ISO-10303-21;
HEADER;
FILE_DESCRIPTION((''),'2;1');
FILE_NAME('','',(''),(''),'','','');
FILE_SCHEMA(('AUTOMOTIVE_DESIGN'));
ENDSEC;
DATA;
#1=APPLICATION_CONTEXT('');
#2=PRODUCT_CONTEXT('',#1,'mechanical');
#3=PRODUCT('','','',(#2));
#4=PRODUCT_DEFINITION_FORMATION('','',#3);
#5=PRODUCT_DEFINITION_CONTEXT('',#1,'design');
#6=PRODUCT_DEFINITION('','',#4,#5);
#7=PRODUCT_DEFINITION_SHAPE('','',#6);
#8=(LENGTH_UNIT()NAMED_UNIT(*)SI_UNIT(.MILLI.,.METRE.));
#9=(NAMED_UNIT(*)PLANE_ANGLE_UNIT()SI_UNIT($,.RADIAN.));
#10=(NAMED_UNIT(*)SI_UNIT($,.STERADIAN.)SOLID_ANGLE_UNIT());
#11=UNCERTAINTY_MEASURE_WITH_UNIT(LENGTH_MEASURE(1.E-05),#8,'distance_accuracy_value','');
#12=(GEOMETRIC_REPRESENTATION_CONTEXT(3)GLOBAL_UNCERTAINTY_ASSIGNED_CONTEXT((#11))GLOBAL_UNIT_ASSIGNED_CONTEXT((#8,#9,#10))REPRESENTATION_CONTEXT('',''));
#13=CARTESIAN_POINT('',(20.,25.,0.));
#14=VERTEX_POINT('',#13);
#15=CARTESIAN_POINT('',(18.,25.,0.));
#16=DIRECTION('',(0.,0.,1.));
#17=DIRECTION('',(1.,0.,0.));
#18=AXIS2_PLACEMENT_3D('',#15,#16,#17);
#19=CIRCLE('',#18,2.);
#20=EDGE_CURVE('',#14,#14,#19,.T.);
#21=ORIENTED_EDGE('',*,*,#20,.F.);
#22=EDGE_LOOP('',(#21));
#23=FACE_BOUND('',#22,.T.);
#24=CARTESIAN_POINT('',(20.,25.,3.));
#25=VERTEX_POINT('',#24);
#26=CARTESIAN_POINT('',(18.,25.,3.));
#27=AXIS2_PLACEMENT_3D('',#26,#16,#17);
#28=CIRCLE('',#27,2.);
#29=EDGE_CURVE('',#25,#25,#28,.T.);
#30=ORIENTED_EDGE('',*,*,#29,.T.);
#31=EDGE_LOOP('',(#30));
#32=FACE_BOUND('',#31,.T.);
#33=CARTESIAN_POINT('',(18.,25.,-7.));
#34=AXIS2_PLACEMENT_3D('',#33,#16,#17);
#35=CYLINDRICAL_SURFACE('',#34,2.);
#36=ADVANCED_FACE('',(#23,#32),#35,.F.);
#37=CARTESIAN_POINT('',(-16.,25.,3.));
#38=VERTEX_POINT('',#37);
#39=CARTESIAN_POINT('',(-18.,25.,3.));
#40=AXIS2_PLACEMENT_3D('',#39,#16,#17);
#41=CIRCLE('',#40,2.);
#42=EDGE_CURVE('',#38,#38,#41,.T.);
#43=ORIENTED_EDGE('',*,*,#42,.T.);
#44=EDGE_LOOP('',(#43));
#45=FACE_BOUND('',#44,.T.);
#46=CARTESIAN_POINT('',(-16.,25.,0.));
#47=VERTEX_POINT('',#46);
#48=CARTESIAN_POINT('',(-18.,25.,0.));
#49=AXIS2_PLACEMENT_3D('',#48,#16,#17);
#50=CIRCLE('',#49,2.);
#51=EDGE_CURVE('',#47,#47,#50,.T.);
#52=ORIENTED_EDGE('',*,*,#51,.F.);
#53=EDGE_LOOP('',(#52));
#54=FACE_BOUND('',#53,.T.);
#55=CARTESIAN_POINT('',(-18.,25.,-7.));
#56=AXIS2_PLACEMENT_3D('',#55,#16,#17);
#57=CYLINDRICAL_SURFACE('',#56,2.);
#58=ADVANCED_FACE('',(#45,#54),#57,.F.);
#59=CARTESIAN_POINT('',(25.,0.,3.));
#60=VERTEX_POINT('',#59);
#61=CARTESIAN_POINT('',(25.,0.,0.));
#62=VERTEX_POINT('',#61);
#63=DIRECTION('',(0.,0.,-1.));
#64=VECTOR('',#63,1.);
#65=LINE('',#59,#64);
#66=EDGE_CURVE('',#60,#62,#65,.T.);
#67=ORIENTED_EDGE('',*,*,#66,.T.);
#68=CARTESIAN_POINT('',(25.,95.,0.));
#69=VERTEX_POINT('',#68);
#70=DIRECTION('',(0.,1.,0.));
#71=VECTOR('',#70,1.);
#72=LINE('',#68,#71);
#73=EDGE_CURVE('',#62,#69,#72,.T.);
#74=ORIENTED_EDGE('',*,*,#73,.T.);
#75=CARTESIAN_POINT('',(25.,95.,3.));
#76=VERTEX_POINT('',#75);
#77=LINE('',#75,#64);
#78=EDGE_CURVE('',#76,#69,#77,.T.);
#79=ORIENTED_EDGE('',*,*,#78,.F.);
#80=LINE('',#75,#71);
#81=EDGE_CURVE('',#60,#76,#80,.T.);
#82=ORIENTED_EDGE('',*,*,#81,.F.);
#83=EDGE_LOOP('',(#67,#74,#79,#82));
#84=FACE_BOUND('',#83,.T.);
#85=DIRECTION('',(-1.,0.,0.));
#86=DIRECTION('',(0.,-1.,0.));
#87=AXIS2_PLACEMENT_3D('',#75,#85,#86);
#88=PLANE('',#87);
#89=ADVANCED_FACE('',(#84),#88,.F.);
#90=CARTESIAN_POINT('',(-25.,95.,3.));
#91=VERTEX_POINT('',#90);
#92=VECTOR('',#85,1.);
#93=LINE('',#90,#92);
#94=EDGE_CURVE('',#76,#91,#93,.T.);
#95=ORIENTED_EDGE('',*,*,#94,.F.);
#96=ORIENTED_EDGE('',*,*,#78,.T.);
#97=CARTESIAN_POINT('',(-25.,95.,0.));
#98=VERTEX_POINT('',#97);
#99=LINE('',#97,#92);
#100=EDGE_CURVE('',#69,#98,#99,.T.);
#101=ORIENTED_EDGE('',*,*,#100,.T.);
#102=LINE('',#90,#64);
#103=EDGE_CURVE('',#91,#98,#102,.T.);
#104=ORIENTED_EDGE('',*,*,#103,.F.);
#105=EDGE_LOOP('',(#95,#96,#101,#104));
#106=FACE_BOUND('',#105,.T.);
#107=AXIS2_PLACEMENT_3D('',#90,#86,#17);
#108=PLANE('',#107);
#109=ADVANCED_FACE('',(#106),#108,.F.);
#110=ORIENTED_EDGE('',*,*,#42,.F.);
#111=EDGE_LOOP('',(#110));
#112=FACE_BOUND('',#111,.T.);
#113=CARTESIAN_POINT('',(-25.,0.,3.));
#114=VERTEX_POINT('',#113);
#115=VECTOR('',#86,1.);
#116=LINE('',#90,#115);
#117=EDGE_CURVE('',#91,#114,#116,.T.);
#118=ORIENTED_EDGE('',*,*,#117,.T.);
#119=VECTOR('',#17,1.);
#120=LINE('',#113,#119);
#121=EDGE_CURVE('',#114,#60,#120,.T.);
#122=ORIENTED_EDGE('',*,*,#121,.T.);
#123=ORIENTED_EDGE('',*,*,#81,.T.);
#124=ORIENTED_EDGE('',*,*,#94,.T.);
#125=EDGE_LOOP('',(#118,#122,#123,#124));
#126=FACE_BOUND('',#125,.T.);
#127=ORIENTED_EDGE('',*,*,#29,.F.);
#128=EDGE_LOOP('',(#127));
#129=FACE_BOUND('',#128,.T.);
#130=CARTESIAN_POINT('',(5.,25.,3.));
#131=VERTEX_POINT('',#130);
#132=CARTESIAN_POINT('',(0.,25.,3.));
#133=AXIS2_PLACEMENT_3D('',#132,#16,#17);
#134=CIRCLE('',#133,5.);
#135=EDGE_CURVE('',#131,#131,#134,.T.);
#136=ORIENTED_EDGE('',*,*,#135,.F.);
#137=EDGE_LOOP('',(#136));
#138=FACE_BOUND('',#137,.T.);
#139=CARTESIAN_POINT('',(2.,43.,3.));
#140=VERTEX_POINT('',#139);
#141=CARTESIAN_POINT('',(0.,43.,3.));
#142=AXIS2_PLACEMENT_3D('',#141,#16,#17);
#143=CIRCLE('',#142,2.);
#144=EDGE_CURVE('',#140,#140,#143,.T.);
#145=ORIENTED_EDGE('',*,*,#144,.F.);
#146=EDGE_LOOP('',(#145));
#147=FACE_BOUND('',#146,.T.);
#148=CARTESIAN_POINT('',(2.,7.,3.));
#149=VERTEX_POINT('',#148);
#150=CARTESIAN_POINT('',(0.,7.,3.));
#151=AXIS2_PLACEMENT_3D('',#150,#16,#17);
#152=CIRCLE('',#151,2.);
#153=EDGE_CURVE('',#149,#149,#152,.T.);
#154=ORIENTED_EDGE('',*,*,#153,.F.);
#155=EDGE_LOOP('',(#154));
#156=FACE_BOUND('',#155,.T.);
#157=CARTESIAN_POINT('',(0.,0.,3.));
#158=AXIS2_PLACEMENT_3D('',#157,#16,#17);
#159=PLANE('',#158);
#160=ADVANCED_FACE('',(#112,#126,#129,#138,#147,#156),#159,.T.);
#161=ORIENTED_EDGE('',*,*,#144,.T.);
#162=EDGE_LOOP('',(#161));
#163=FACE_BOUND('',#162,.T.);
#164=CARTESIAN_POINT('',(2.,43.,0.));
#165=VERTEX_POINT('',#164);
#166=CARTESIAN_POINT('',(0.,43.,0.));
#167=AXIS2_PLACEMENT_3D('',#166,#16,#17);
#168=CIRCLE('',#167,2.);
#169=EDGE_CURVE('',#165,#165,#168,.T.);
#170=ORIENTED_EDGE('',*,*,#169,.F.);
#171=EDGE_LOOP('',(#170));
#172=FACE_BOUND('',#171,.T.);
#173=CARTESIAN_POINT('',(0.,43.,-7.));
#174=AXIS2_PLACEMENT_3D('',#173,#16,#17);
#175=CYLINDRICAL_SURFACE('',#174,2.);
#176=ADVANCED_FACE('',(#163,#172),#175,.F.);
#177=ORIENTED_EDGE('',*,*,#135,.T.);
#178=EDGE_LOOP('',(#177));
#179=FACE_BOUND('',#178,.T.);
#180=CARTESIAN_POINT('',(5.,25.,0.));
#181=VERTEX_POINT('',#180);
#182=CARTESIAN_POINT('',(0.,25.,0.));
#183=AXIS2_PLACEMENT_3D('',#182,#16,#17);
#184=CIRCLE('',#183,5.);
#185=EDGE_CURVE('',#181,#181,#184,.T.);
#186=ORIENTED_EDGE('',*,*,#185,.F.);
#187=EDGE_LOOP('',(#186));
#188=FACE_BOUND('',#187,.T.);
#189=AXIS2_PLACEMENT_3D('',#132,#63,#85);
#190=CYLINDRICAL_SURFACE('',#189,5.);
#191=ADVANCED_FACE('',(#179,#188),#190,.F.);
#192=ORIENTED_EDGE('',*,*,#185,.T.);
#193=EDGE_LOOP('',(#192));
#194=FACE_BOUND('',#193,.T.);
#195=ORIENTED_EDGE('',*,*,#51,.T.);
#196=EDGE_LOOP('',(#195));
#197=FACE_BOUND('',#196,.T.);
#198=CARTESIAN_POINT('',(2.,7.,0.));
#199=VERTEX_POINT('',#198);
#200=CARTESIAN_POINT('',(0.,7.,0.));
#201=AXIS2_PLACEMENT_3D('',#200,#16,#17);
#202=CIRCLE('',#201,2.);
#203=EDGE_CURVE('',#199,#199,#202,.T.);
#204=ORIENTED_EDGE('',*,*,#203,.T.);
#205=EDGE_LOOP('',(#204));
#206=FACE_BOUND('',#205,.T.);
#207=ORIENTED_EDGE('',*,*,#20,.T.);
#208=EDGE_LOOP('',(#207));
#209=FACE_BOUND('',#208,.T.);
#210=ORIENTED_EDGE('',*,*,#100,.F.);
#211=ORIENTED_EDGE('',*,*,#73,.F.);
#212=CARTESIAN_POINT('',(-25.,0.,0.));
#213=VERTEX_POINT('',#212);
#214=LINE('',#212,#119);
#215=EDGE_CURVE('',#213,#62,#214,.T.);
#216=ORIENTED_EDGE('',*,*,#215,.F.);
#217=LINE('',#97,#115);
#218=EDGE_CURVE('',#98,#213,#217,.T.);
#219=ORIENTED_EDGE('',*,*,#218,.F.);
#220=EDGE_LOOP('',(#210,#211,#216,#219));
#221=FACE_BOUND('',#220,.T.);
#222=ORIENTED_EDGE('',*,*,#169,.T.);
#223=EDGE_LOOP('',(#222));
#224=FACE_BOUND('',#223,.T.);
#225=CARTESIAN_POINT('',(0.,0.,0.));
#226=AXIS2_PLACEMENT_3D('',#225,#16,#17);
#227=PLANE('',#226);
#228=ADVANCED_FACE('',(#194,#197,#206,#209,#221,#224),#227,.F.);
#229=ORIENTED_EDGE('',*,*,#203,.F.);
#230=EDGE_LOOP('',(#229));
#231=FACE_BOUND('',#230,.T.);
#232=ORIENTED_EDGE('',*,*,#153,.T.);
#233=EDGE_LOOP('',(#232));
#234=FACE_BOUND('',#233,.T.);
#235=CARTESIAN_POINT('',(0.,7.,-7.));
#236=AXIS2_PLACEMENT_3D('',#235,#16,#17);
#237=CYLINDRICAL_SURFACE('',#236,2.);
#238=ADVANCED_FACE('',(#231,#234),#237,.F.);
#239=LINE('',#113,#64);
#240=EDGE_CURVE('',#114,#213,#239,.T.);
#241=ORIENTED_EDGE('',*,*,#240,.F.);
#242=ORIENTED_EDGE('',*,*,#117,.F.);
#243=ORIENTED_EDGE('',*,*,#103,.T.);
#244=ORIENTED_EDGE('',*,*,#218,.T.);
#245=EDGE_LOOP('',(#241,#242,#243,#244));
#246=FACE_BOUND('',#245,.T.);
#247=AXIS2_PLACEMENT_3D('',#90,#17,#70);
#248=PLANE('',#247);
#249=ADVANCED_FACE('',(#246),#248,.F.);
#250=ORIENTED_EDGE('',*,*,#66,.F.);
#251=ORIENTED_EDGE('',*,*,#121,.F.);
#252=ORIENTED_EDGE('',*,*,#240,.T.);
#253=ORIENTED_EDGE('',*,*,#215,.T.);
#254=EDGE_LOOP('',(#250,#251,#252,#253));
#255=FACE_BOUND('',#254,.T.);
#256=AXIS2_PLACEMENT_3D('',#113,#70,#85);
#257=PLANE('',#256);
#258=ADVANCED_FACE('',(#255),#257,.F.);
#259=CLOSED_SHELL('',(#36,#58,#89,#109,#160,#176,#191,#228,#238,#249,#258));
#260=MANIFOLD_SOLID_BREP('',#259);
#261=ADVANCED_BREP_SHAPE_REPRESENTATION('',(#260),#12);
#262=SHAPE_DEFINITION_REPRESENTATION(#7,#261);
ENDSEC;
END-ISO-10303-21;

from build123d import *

# Parameters (mm, degrees)
SKETCH1_W           = 50
SKETCH1_H           = 95
SKETCH1_R           = 5
BOSS_EXTRUDE1_DEPTH = 3
SKETCH2_R           = 2
CUT_EXTRUDE3_DEPTH  = 10


with BuildPart() as part:
    # Sketch1 → Boss-Extrude1 (new body)
    with BuildSketch(Plane.XY):
        with Locations((0, 47.5)):
            Rectangle(SKETCH1_W, SKETCH1_H)
        with Locations((0, 25)):
            Circle(SKETCH1_R, mode=Mode.SUBTRACT)
    extrude(amount=BOSS_EXTRUDE1_DEPTH)

    # Sketch2 → Cut-Extrude3 (cut)
    with BuildSketch(Plane.XY.offset(3)):
        with Locations((0, 43)):
            Circle(SKETCH2_R)
        with Locations((18, 25)):
            Circle(SKETCH2_R)
        with Locations((0, 7)):
            Circle(SKETCH2_R)
        with Locations((-18, 25)):
            Circle(SKETCH2_R)
    extrude(amount=-CUT_EXTRUDE3_DEPTH, mode=Mode.SUBTRACT)


solid = part.part
